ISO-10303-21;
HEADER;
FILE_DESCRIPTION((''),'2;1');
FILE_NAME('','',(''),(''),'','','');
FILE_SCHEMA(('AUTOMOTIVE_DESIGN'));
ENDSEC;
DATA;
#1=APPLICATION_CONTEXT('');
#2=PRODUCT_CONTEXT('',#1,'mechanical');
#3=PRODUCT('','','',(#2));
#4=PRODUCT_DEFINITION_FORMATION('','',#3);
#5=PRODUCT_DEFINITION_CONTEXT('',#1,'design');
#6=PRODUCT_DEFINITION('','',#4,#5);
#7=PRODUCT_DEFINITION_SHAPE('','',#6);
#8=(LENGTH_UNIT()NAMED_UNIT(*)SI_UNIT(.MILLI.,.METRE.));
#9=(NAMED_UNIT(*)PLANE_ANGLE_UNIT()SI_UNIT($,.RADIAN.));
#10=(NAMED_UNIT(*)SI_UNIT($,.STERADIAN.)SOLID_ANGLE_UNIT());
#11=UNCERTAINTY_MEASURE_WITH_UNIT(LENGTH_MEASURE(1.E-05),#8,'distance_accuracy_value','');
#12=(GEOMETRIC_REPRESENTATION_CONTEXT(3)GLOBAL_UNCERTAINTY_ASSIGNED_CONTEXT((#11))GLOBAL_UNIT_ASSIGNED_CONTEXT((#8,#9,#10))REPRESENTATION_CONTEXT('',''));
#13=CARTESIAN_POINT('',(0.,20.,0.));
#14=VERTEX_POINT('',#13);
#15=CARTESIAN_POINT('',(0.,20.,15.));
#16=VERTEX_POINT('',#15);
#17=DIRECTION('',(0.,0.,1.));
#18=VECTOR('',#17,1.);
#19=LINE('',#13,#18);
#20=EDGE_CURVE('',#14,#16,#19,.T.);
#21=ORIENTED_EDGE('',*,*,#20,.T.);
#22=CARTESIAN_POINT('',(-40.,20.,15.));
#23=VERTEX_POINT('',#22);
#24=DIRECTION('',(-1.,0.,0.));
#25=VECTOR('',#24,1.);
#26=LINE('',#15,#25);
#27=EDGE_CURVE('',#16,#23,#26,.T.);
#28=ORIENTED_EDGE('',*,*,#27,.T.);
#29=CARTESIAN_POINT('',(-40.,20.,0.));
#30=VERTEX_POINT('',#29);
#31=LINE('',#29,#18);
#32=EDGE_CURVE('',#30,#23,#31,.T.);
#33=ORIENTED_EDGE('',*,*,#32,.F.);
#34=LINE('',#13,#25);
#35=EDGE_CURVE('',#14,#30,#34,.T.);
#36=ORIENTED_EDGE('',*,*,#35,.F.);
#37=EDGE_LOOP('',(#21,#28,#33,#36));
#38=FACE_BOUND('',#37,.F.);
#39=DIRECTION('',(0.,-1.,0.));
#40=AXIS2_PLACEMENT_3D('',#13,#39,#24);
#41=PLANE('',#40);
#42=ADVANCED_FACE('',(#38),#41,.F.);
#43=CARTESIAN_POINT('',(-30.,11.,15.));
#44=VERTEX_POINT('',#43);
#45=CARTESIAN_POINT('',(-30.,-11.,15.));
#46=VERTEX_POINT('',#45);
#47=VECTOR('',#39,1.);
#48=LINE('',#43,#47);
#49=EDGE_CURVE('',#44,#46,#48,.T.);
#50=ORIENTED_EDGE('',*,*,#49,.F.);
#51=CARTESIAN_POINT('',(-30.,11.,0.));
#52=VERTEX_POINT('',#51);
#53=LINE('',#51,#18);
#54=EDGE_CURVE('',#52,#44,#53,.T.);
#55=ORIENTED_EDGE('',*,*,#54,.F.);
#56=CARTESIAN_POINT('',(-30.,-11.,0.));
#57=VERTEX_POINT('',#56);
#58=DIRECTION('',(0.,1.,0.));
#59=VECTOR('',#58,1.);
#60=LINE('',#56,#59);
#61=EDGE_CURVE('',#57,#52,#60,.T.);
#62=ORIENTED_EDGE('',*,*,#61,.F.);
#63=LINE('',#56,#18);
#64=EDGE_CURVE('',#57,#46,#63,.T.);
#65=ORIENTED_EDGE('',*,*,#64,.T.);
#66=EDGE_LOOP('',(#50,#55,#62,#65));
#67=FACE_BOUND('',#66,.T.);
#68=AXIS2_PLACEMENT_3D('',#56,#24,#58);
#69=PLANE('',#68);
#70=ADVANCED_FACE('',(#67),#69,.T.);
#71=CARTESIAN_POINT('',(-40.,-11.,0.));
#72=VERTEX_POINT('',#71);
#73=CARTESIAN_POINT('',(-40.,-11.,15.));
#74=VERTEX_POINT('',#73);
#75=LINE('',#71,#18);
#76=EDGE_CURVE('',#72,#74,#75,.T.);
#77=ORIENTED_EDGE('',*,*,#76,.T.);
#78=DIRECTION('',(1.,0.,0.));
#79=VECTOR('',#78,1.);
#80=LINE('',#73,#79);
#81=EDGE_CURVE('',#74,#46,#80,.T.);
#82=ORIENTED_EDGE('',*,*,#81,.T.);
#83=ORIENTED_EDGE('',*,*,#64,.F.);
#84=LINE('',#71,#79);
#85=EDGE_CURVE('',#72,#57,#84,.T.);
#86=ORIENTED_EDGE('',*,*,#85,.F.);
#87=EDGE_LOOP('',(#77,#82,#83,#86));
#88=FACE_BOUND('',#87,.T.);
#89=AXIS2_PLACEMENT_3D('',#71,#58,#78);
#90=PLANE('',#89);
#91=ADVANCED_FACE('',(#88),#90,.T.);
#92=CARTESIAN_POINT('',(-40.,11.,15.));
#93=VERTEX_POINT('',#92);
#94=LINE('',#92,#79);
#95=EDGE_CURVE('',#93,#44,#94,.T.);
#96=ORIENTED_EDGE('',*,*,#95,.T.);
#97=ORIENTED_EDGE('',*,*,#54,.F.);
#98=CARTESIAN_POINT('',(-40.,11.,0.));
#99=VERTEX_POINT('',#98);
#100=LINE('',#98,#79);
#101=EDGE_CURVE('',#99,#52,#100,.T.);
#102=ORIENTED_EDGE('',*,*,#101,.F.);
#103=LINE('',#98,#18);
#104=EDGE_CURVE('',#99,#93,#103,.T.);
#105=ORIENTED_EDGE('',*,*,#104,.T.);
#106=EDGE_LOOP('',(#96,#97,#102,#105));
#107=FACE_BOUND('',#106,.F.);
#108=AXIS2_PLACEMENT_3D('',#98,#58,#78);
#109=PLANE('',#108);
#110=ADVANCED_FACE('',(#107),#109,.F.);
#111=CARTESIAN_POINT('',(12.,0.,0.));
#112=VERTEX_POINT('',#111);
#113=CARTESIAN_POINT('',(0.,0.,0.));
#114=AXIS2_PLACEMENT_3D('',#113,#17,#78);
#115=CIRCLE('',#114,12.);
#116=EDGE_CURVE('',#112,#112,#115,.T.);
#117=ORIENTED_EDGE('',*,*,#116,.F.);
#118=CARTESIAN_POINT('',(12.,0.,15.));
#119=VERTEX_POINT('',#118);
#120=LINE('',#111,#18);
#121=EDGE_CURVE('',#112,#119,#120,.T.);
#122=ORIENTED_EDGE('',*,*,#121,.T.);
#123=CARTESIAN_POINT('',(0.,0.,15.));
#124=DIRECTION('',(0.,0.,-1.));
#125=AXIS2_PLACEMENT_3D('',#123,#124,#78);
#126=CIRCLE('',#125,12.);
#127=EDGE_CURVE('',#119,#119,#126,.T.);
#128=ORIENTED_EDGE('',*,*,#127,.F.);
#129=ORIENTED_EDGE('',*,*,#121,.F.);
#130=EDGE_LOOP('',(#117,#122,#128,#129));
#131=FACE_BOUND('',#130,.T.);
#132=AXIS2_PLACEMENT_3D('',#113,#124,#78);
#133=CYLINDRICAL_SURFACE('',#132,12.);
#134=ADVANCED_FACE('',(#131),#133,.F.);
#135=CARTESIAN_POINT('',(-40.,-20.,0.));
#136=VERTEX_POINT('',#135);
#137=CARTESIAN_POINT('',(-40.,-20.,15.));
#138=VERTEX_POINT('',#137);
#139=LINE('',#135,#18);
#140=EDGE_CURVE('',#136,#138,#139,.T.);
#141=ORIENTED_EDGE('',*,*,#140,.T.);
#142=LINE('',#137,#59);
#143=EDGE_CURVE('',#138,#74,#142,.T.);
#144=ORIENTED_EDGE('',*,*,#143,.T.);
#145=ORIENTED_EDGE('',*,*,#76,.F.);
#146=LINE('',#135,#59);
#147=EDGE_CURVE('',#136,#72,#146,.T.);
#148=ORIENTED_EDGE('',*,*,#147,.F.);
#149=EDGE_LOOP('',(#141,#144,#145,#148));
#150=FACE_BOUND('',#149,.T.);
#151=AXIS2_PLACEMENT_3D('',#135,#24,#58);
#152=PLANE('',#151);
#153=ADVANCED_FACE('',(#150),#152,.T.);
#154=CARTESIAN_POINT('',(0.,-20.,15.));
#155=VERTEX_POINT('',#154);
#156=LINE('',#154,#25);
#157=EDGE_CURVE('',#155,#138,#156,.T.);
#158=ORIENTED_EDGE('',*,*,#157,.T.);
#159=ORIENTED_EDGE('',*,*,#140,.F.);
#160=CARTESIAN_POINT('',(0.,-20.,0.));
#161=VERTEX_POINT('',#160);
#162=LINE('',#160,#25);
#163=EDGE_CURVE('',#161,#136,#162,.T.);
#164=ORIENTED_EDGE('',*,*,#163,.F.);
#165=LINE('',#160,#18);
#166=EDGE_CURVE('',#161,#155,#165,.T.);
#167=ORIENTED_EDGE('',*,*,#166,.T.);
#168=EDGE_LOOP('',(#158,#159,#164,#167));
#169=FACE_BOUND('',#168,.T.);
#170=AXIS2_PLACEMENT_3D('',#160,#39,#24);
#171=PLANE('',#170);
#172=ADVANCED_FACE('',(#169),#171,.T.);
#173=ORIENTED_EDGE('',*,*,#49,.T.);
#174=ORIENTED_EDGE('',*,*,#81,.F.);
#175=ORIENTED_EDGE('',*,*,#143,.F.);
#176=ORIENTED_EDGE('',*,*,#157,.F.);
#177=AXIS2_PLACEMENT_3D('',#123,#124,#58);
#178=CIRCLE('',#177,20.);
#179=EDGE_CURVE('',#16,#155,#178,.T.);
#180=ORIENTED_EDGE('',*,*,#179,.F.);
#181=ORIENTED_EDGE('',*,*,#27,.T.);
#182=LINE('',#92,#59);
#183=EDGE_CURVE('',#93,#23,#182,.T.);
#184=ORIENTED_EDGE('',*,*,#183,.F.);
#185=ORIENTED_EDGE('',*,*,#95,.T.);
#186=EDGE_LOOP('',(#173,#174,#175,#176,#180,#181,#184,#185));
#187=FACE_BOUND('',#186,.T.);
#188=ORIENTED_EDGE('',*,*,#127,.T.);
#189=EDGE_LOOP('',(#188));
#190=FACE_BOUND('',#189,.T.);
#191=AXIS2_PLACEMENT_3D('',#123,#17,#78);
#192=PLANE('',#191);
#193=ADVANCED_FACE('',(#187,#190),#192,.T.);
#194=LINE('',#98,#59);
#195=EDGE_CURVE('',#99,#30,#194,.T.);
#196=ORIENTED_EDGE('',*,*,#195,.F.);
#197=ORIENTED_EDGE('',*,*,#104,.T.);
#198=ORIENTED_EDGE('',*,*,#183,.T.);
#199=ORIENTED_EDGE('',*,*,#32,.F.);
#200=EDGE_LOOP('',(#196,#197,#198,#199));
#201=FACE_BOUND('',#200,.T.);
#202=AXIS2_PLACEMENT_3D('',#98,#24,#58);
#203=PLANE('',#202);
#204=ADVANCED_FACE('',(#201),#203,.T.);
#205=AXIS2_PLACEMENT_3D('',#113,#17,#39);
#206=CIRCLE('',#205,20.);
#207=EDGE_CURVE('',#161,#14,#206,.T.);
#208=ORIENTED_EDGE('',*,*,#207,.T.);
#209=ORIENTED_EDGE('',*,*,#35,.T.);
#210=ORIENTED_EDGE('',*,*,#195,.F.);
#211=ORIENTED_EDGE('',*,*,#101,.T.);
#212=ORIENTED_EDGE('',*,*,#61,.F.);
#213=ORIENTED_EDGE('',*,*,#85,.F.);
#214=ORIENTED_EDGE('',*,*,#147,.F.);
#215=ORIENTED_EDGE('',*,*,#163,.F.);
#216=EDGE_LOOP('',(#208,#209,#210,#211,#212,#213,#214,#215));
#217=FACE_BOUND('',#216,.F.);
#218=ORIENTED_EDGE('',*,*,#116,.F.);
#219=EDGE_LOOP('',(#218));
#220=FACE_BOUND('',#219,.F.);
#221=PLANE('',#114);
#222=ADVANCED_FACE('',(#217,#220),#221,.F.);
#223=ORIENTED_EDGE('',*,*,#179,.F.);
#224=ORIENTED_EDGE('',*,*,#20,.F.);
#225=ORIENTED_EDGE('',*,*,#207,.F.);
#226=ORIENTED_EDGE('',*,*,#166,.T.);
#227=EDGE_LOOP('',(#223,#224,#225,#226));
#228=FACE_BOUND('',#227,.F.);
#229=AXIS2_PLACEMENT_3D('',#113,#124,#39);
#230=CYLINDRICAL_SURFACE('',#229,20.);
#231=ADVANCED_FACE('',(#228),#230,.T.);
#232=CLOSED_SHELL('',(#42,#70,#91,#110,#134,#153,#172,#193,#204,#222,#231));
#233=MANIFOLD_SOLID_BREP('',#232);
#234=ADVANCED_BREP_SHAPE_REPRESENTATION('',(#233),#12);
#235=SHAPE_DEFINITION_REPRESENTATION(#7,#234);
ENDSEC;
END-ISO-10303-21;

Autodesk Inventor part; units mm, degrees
ref_plane "YZ Plane" through (0, 0, 0) normal (1, 0, 0) x (0, 1, 0)
ref_plane "XZ Plane" through (0, 0, 0) normal (0, 1, 0) x (-1, 0, 0)
ref_plane "XY Plane" through (0, 0, 0) normal (0, 0, 1) x (1, 0, 0)
sketch "草图1" plane through (0, 0, 0) normal (0, 0, 1) x (1, 0, 0)
  circle A0 centre (0, 0) radius 12
  arc A1 (0, -20) -> (0, 20) centre (0, 0) ccw
  line L0 (-41.8118, 0) -> (36.5157, 0)
  line L1 (0, -20) -> (-40, -20)
  line L2 (0, 20) -> (-40, 20)
  line L3 (-40, 11) -> (-30, 11)
  line L4 (-30, -11) -> (-30, 11)
  line L5 (-40, -11) -> (-30, -11)
  line L6 (-40, -20) -> (-40, -11)
  line L7 (-40, 11) -> (-40, 20)
  dimension "d0" = 40
  dimension "d1" = 20
  dimension "d2" = 24
  dimension "d3" = 10
  dimension "d4" = 22
extrude "拉伸1" add sketch "草图1" along normal blind 15 contours L0 A1 L1 L6 L5 L4 A0 | A0 L0 L4 L3 L7 L2 A1
